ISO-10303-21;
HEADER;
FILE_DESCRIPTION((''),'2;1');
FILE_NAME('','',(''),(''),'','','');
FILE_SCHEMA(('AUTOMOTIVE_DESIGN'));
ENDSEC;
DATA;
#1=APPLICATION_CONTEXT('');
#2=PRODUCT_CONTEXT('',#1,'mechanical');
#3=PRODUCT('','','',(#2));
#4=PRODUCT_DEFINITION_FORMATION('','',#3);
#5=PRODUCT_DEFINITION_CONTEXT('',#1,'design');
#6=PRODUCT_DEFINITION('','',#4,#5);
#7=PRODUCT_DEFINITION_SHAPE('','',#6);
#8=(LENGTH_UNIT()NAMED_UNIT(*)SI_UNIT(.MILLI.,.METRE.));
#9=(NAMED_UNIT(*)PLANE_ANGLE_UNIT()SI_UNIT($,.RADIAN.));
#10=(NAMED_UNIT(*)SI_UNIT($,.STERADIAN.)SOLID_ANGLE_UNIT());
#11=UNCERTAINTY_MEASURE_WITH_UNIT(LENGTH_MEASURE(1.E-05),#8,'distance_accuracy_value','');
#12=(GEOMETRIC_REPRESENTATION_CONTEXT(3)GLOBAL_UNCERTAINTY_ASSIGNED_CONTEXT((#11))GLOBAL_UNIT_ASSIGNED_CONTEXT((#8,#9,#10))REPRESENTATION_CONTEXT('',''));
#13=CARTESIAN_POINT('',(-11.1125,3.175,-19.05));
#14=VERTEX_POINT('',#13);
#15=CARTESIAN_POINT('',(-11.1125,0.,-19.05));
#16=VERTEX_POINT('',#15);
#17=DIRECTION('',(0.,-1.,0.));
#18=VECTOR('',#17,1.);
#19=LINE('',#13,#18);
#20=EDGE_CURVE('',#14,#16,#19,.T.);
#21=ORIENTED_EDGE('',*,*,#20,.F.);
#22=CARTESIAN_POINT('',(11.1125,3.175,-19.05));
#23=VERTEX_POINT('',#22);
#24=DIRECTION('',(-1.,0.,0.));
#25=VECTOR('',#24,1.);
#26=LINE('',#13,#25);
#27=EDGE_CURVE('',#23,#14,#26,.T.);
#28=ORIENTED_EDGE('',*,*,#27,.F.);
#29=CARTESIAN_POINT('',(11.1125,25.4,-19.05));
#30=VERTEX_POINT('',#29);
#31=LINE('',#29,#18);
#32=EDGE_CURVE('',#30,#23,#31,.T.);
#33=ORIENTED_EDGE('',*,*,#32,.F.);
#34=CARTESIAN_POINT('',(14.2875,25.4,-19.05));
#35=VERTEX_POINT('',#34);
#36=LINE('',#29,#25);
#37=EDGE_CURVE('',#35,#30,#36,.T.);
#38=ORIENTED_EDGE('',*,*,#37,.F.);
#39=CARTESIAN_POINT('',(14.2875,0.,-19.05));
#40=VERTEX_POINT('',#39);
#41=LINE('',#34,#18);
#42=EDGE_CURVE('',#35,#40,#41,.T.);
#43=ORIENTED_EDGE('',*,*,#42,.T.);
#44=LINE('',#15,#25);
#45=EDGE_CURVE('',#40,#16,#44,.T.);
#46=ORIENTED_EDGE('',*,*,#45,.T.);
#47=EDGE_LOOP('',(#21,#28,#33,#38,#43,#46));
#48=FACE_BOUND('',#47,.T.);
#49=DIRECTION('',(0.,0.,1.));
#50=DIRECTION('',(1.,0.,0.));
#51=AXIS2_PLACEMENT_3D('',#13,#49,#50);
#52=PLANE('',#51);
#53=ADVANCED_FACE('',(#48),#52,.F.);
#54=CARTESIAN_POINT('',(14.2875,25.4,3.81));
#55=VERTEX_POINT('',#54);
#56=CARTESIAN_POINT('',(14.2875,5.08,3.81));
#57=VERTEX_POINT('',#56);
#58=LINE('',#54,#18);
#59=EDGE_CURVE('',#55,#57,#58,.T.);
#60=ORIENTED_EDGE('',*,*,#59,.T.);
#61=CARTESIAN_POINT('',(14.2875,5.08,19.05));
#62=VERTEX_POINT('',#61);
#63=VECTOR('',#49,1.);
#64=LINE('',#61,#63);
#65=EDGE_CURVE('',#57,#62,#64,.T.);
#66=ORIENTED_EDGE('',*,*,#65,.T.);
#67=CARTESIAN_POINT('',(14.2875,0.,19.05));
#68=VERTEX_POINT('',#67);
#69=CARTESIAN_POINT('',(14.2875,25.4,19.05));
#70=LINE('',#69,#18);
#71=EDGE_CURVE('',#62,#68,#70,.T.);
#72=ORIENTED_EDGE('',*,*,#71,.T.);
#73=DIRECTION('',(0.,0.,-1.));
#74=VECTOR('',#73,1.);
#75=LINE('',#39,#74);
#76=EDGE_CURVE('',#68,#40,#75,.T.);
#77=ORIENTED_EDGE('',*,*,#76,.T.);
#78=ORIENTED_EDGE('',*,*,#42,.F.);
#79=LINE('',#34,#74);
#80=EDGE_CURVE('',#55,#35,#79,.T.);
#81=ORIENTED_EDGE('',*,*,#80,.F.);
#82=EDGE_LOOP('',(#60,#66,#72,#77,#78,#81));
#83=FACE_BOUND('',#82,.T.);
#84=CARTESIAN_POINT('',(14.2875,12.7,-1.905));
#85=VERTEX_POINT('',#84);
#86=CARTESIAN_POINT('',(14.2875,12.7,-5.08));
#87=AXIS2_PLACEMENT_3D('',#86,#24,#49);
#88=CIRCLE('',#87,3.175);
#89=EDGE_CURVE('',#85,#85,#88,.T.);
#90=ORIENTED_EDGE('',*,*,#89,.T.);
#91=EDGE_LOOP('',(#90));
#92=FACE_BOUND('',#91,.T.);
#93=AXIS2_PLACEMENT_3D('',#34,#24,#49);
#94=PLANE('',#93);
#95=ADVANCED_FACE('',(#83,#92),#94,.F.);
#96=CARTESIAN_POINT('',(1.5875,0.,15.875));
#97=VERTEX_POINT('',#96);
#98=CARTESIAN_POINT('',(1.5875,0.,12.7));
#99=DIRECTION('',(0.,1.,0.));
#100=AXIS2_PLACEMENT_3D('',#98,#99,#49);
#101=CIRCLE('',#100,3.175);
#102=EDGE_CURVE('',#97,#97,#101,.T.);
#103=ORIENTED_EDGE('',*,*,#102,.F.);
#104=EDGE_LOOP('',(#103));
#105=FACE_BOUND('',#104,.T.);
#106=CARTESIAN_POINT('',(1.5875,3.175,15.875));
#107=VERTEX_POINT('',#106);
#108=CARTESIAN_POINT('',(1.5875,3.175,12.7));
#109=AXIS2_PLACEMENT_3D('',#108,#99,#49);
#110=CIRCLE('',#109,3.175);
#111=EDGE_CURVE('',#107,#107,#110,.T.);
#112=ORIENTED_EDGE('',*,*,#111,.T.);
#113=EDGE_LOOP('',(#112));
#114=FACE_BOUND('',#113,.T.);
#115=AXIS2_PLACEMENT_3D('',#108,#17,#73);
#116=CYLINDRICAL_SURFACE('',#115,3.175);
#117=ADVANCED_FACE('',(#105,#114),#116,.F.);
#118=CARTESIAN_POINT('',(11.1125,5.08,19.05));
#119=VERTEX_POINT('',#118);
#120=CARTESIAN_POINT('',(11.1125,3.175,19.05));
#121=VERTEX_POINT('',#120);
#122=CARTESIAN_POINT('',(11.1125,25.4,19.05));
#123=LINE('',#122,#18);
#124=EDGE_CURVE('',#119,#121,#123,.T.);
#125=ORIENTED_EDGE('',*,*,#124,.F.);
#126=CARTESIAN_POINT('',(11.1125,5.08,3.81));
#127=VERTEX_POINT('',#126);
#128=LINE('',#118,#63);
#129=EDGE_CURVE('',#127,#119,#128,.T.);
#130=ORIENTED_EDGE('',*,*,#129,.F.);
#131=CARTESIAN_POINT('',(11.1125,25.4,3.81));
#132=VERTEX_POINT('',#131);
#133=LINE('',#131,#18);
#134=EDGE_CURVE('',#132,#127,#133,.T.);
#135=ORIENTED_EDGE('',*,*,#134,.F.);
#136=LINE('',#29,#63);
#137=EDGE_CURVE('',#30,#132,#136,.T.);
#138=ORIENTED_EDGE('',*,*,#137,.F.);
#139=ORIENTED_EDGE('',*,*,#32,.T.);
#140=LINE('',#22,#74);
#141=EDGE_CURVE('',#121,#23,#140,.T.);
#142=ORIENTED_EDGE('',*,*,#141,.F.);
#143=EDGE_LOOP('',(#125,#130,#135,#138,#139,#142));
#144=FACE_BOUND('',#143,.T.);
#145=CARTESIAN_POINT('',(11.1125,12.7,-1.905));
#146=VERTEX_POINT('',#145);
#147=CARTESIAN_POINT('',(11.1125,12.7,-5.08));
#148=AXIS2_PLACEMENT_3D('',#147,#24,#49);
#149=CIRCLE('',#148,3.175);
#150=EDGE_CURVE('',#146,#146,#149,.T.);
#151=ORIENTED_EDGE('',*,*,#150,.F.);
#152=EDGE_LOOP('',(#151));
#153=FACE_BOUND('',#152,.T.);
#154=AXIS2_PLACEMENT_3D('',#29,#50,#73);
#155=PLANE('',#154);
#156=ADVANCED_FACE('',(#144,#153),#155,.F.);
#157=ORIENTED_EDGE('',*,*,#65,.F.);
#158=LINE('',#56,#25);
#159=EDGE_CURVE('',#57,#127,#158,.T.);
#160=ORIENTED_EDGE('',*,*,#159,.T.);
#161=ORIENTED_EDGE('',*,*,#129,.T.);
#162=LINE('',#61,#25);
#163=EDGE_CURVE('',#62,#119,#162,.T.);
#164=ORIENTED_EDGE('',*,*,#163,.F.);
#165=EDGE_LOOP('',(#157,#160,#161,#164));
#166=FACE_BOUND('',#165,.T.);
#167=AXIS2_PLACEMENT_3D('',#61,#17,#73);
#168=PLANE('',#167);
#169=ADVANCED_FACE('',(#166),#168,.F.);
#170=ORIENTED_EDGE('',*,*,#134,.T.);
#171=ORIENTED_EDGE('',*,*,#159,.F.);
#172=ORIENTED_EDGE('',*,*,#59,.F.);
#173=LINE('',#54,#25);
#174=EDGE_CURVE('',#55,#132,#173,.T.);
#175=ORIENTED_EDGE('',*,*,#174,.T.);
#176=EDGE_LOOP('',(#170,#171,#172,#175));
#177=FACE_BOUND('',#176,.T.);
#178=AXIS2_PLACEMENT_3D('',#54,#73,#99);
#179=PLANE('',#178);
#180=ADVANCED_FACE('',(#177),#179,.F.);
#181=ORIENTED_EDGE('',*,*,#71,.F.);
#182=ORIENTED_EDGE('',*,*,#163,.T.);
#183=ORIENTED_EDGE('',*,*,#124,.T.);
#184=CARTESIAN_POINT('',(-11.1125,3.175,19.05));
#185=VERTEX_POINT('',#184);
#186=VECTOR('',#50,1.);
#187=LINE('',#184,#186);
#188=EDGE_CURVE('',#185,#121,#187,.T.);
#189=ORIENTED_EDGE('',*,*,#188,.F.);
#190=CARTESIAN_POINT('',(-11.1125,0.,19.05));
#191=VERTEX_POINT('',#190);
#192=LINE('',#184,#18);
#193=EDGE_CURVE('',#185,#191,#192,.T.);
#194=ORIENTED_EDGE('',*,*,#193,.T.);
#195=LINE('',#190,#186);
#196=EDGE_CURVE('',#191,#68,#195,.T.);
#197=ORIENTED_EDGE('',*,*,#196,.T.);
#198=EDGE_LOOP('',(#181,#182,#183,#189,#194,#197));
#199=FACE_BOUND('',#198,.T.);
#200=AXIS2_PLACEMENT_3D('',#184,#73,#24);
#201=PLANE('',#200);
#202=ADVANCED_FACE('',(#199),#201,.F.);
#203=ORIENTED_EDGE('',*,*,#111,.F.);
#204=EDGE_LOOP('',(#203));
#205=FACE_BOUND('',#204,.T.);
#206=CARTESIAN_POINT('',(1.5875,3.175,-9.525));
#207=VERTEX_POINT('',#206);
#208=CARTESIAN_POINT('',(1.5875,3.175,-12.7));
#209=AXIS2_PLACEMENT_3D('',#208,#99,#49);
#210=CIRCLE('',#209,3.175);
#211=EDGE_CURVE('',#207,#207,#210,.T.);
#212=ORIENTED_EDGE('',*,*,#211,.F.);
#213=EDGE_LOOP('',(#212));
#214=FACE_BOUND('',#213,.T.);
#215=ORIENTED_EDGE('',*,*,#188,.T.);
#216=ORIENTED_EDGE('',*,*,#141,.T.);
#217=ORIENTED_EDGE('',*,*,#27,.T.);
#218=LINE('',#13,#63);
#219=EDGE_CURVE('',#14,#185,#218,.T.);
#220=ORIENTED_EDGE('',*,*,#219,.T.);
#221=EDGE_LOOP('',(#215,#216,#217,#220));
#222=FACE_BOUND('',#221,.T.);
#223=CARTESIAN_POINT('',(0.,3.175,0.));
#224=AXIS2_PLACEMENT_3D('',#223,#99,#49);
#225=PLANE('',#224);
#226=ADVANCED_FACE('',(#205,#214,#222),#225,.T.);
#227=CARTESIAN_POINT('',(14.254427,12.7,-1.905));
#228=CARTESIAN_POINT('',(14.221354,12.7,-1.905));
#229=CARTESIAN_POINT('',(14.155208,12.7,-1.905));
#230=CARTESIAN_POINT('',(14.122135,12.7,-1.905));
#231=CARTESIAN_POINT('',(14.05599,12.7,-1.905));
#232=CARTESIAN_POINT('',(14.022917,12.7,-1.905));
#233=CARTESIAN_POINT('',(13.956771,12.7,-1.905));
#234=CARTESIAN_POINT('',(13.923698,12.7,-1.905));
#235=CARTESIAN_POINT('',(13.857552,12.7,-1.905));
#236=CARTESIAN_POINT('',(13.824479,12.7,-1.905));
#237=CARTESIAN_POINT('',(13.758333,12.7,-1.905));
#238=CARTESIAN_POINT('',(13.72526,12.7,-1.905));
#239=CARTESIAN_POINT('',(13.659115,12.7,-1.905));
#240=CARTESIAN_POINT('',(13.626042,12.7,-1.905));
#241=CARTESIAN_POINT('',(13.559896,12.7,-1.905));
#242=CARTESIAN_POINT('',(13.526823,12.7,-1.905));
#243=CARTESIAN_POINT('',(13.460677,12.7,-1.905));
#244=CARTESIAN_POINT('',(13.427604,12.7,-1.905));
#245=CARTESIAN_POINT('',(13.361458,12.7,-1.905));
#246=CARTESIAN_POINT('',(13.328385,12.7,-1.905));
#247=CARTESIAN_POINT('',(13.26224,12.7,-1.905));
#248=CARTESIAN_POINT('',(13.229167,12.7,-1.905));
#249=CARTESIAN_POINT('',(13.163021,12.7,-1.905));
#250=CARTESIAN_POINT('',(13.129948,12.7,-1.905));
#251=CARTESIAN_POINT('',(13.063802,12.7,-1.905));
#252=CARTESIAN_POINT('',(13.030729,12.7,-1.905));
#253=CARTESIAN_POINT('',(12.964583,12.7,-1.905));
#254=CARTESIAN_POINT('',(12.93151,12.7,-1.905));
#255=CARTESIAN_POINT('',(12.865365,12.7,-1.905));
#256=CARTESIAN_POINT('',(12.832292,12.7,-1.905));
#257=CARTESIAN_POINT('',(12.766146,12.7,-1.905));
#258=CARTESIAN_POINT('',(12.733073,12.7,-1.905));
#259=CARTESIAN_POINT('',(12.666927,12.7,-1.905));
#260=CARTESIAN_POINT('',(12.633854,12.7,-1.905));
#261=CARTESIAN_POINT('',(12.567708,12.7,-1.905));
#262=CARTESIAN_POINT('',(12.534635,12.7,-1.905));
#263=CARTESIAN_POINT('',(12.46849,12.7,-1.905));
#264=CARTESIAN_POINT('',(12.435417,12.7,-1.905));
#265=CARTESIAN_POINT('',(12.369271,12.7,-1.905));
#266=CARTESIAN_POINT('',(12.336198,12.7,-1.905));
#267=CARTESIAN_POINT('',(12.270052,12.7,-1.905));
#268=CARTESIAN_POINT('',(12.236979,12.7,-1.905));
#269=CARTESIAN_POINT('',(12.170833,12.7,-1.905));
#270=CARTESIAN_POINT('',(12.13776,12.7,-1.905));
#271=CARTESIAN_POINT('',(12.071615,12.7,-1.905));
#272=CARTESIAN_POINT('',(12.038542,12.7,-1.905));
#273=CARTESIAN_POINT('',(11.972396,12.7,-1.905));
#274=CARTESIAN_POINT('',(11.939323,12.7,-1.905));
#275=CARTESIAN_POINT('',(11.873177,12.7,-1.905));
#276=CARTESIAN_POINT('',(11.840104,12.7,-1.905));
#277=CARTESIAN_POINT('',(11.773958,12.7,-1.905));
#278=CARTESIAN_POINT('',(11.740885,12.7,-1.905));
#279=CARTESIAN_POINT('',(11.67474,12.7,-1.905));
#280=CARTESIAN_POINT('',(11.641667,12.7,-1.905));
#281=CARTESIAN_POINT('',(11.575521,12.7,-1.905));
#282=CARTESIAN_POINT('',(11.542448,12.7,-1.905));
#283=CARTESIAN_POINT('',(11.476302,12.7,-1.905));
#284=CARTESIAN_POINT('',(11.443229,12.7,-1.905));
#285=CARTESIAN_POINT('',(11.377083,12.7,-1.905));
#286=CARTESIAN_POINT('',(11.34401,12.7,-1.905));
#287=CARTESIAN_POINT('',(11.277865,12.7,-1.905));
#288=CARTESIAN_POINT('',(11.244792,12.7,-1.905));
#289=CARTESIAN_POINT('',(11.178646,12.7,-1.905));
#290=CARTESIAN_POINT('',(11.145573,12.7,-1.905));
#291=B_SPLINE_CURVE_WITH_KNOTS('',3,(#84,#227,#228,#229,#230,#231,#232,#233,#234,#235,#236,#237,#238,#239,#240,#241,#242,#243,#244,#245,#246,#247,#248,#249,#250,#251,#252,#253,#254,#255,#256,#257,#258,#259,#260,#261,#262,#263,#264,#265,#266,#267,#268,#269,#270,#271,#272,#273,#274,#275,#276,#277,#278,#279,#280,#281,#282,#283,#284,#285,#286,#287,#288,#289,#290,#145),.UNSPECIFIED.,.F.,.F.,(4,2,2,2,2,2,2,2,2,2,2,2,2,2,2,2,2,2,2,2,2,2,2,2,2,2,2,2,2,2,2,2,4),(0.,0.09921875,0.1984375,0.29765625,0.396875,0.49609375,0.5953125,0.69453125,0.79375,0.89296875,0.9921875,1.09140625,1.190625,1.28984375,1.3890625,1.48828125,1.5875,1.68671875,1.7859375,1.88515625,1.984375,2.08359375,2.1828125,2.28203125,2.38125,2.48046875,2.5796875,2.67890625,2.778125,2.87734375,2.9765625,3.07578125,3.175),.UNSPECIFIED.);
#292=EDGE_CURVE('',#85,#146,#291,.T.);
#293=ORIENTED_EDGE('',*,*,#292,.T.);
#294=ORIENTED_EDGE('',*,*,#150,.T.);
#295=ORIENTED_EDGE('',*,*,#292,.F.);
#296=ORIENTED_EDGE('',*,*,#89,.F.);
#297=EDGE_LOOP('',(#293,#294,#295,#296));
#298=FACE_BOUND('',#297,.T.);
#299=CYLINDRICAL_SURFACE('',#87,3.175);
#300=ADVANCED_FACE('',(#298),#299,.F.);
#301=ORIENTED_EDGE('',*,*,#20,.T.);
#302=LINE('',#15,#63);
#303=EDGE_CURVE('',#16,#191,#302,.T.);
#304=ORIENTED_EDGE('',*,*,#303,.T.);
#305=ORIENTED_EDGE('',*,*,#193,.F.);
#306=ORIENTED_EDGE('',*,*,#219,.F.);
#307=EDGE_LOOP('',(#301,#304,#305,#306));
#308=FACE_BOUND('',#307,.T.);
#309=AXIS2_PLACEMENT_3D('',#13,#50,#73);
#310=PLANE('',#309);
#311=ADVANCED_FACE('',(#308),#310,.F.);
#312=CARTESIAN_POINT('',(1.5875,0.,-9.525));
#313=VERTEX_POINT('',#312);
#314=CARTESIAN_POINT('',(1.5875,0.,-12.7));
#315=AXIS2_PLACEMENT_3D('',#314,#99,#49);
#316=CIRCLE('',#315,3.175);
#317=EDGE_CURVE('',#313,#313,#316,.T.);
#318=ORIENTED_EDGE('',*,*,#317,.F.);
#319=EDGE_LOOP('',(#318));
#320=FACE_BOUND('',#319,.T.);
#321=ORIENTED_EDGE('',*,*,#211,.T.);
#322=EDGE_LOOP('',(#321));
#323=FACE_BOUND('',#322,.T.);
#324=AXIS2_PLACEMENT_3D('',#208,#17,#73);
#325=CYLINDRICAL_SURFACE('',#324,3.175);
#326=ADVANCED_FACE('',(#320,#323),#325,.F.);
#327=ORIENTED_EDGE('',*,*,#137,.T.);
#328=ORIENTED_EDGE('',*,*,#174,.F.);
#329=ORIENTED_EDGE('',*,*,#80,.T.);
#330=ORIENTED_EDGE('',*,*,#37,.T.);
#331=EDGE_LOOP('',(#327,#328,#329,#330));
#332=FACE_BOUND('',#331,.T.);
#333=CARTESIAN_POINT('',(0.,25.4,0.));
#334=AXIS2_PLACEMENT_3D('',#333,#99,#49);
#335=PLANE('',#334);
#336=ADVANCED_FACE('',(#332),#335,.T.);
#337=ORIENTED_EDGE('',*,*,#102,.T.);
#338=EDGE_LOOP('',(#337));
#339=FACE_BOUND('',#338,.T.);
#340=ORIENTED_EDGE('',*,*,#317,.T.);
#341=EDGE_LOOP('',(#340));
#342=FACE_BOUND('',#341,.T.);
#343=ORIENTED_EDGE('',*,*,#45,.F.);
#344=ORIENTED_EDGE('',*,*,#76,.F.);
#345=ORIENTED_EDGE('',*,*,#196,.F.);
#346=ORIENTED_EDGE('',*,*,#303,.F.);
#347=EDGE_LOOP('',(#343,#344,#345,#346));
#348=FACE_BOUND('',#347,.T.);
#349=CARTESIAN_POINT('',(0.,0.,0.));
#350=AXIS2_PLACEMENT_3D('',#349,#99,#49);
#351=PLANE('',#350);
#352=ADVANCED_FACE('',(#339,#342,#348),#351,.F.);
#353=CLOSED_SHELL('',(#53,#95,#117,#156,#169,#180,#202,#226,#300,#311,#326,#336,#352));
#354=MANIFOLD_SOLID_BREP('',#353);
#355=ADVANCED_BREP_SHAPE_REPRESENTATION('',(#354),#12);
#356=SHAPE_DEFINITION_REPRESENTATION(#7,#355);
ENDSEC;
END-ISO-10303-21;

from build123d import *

# Parameters (mm, degrees)
SKETCH1_W           = 22.225
SKETCH1_H           = 38.1
SKETCH1_R           = 3.175
BOSS_EXTRUDE1_DEPTH = 3.175
SKETCH2_W           = 3.175
SKETCH2_H           = 38.1
BOSS_EXTRUDE2_DEPTH = 25.4
SKETCH3_R           = 3.175
SKETCH3_W           = 15.24
SKETCH3_H           = 20.32
CUT_EXTRUDE1_DEPTH  = 39.75581408


with BuildPart() as part:
    # Sketch1 → Boss-Extrude1 (new body)
    with BuildSketch(Plane(origin=(0, 0, 0), x_dir=(1, 0, 0), z_dir=(0, 1, 0))):
        Rectangle(SKETCH1_W, SKETCH1_H)
        with Locations(Location((1.5875, 12.7, 0), (0, 0, 270))):
            Circle(SKETCH1_R, mode=Mode.SUBTRACT)
        with Locations(Location((1.5875, -12.7, 0), (0, 0, 270))):
            Circle(SKETCH1_R, mode=Mode.SUBTRACT)
    extrude(amount=BOSS_EXTRUDE1_DEPTH)

    # Sketch2 → Boss-Extrude2 (add)
    with BuildSketch(Plane(origin=(0, 0, 0), x_dir=(1, 0, 0), z_dir=(0, 1, 0))):
        with Locations((12.7, 0)):
            Rectangle(SKETCH2_W, SKETCH2_H)
    extrude(amount=BOSS_EXTRUDE2_DEPTH)

    # Sketch3 → Cut-Extrude1 (cut, through all)
    with BuildSketch(Plane.ZY.offset(-11.1125)):
        with Locations((-5.08, 12.7)):
            Circle(SKETCH3_R)
        with Locations((11.43, 15.24)):
            Rectangle(SKETCH3_W, SKETCH3_H)
    extrude(amount=-CUT_EXTRUDE1_DEPTH, mode=Mode.SUBTRACT)


solid = part.part
